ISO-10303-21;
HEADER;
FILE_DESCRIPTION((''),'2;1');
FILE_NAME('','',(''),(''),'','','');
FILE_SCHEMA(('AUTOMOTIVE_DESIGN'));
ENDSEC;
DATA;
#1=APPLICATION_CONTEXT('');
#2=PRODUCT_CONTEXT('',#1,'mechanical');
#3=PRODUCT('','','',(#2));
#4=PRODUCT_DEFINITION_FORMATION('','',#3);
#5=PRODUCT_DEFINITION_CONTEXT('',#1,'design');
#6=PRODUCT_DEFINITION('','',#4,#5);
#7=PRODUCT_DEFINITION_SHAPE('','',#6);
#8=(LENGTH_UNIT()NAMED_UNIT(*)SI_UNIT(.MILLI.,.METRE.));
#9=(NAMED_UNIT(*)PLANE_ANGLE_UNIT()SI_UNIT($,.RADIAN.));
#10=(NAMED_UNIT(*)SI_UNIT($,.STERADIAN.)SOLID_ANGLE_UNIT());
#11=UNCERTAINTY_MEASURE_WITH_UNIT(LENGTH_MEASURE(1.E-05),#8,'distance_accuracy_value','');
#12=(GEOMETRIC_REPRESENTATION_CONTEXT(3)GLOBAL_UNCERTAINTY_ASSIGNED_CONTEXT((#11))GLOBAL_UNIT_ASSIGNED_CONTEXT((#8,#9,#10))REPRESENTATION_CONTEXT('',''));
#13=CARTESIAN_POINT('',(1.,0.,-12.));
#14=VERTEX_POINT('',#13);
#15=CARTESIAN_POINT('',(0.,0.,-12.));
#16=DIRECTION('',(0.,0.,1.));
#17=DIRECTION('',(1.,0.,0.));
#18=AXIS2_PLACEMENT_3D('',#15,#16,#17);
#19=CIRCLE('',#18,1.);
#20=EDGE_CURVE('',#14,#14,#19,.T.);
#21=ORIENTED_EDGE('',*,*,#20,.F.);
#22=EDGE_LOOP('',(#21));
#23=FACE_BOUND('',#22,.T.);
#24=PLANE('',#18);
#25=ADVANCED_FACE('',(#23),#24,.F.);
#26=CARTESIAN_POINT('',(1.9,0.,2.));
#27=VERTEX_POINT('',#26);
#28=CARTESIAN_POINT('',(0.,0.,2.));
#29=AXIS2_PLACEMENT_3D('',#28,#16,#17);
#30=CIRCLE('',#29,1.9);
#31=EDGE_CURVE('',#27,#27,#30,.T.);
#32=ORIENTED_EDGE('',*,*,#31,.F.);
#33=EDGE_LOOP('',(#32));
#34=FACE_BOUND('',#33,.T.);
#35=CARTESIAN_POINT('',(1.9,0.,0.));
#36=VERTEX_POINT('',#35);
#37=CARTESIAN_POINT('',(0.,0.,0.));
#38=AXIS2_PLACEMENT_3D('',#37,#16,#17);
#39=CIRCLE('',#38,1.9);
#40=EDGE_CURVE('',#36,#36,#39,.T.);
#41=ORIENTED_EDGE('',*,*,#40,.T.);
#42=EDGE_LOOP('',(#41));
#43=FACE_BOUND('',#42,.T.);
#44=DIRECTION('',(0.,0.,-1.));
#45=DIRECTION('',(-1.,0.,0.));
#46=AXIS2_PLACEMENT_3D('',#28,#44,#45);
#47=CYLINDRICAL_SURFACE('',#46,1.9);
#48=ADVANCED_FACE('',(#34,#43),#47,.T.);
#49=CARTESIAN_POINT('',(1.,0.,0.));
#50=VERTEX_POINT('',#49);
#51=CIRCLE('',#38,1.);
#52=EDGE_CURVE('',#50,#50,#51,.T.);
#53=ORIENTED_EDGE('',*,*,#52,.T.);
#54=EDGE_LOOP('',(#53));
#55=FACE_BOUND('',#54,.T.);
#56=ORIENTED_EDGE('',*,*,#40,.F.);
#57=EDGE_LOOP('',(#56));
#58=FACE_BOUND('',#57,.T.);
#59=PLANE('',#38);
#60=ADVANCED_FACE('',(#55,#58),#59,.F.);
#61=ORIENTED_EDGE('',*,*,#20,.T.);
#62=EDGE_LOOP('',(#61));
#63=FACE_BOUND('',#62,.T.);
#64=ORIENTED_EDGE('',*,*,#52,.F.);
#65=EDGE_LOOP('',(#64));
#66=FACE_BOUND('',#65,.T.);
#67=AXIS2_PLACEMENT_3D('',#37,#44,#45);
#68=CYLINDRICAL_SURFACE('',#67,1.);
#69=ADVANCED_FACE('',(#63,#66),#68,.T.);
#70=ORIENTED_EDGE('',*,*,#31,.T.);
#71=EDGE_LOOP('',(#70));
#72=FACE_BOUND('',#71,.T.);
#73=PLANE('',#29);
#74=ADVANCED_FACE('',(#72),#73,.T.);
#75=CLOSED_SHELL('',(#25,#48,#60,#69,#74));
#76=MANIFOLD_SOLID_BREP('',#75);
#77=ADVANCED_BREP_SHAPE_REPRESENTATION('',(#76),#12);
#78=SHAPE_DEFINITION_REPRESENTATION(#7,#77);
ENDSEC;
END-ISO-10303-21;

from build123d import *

# Parameters (mm, degrees)
M2X0P4_THREAD_ENVELOPE_L12_START = -12
SKETCH1_R                        = 1
M2X0P4_THREAD_ENVELOPE_L12_DEPTH = 12
SKETCH2_R                        = 1.9
HEAD_D3P8_H2_DEPTH               = 2


with BuildPart() as part:
    # Sketch1 → M2x0p4_Thread_Envelope_L12 (new body)
    with BuildSketch(Plane.XY.offset(M2X0P4_THREAD_ENVELOPE_L12_START)):
        Circle(SKETCH1_R)
    extrude(amount=M2X0P4_THREAD_ENVELOPE_L12_DEPTH)

    # Sketch2 → Head_D3p8_H2 (add)
    with BuildSketch(Plane.XY):
        Circle(SKETCH2_R)
    extrude(amount=HEAD_D3P8_H2_DEPTH)


solid = part.part
